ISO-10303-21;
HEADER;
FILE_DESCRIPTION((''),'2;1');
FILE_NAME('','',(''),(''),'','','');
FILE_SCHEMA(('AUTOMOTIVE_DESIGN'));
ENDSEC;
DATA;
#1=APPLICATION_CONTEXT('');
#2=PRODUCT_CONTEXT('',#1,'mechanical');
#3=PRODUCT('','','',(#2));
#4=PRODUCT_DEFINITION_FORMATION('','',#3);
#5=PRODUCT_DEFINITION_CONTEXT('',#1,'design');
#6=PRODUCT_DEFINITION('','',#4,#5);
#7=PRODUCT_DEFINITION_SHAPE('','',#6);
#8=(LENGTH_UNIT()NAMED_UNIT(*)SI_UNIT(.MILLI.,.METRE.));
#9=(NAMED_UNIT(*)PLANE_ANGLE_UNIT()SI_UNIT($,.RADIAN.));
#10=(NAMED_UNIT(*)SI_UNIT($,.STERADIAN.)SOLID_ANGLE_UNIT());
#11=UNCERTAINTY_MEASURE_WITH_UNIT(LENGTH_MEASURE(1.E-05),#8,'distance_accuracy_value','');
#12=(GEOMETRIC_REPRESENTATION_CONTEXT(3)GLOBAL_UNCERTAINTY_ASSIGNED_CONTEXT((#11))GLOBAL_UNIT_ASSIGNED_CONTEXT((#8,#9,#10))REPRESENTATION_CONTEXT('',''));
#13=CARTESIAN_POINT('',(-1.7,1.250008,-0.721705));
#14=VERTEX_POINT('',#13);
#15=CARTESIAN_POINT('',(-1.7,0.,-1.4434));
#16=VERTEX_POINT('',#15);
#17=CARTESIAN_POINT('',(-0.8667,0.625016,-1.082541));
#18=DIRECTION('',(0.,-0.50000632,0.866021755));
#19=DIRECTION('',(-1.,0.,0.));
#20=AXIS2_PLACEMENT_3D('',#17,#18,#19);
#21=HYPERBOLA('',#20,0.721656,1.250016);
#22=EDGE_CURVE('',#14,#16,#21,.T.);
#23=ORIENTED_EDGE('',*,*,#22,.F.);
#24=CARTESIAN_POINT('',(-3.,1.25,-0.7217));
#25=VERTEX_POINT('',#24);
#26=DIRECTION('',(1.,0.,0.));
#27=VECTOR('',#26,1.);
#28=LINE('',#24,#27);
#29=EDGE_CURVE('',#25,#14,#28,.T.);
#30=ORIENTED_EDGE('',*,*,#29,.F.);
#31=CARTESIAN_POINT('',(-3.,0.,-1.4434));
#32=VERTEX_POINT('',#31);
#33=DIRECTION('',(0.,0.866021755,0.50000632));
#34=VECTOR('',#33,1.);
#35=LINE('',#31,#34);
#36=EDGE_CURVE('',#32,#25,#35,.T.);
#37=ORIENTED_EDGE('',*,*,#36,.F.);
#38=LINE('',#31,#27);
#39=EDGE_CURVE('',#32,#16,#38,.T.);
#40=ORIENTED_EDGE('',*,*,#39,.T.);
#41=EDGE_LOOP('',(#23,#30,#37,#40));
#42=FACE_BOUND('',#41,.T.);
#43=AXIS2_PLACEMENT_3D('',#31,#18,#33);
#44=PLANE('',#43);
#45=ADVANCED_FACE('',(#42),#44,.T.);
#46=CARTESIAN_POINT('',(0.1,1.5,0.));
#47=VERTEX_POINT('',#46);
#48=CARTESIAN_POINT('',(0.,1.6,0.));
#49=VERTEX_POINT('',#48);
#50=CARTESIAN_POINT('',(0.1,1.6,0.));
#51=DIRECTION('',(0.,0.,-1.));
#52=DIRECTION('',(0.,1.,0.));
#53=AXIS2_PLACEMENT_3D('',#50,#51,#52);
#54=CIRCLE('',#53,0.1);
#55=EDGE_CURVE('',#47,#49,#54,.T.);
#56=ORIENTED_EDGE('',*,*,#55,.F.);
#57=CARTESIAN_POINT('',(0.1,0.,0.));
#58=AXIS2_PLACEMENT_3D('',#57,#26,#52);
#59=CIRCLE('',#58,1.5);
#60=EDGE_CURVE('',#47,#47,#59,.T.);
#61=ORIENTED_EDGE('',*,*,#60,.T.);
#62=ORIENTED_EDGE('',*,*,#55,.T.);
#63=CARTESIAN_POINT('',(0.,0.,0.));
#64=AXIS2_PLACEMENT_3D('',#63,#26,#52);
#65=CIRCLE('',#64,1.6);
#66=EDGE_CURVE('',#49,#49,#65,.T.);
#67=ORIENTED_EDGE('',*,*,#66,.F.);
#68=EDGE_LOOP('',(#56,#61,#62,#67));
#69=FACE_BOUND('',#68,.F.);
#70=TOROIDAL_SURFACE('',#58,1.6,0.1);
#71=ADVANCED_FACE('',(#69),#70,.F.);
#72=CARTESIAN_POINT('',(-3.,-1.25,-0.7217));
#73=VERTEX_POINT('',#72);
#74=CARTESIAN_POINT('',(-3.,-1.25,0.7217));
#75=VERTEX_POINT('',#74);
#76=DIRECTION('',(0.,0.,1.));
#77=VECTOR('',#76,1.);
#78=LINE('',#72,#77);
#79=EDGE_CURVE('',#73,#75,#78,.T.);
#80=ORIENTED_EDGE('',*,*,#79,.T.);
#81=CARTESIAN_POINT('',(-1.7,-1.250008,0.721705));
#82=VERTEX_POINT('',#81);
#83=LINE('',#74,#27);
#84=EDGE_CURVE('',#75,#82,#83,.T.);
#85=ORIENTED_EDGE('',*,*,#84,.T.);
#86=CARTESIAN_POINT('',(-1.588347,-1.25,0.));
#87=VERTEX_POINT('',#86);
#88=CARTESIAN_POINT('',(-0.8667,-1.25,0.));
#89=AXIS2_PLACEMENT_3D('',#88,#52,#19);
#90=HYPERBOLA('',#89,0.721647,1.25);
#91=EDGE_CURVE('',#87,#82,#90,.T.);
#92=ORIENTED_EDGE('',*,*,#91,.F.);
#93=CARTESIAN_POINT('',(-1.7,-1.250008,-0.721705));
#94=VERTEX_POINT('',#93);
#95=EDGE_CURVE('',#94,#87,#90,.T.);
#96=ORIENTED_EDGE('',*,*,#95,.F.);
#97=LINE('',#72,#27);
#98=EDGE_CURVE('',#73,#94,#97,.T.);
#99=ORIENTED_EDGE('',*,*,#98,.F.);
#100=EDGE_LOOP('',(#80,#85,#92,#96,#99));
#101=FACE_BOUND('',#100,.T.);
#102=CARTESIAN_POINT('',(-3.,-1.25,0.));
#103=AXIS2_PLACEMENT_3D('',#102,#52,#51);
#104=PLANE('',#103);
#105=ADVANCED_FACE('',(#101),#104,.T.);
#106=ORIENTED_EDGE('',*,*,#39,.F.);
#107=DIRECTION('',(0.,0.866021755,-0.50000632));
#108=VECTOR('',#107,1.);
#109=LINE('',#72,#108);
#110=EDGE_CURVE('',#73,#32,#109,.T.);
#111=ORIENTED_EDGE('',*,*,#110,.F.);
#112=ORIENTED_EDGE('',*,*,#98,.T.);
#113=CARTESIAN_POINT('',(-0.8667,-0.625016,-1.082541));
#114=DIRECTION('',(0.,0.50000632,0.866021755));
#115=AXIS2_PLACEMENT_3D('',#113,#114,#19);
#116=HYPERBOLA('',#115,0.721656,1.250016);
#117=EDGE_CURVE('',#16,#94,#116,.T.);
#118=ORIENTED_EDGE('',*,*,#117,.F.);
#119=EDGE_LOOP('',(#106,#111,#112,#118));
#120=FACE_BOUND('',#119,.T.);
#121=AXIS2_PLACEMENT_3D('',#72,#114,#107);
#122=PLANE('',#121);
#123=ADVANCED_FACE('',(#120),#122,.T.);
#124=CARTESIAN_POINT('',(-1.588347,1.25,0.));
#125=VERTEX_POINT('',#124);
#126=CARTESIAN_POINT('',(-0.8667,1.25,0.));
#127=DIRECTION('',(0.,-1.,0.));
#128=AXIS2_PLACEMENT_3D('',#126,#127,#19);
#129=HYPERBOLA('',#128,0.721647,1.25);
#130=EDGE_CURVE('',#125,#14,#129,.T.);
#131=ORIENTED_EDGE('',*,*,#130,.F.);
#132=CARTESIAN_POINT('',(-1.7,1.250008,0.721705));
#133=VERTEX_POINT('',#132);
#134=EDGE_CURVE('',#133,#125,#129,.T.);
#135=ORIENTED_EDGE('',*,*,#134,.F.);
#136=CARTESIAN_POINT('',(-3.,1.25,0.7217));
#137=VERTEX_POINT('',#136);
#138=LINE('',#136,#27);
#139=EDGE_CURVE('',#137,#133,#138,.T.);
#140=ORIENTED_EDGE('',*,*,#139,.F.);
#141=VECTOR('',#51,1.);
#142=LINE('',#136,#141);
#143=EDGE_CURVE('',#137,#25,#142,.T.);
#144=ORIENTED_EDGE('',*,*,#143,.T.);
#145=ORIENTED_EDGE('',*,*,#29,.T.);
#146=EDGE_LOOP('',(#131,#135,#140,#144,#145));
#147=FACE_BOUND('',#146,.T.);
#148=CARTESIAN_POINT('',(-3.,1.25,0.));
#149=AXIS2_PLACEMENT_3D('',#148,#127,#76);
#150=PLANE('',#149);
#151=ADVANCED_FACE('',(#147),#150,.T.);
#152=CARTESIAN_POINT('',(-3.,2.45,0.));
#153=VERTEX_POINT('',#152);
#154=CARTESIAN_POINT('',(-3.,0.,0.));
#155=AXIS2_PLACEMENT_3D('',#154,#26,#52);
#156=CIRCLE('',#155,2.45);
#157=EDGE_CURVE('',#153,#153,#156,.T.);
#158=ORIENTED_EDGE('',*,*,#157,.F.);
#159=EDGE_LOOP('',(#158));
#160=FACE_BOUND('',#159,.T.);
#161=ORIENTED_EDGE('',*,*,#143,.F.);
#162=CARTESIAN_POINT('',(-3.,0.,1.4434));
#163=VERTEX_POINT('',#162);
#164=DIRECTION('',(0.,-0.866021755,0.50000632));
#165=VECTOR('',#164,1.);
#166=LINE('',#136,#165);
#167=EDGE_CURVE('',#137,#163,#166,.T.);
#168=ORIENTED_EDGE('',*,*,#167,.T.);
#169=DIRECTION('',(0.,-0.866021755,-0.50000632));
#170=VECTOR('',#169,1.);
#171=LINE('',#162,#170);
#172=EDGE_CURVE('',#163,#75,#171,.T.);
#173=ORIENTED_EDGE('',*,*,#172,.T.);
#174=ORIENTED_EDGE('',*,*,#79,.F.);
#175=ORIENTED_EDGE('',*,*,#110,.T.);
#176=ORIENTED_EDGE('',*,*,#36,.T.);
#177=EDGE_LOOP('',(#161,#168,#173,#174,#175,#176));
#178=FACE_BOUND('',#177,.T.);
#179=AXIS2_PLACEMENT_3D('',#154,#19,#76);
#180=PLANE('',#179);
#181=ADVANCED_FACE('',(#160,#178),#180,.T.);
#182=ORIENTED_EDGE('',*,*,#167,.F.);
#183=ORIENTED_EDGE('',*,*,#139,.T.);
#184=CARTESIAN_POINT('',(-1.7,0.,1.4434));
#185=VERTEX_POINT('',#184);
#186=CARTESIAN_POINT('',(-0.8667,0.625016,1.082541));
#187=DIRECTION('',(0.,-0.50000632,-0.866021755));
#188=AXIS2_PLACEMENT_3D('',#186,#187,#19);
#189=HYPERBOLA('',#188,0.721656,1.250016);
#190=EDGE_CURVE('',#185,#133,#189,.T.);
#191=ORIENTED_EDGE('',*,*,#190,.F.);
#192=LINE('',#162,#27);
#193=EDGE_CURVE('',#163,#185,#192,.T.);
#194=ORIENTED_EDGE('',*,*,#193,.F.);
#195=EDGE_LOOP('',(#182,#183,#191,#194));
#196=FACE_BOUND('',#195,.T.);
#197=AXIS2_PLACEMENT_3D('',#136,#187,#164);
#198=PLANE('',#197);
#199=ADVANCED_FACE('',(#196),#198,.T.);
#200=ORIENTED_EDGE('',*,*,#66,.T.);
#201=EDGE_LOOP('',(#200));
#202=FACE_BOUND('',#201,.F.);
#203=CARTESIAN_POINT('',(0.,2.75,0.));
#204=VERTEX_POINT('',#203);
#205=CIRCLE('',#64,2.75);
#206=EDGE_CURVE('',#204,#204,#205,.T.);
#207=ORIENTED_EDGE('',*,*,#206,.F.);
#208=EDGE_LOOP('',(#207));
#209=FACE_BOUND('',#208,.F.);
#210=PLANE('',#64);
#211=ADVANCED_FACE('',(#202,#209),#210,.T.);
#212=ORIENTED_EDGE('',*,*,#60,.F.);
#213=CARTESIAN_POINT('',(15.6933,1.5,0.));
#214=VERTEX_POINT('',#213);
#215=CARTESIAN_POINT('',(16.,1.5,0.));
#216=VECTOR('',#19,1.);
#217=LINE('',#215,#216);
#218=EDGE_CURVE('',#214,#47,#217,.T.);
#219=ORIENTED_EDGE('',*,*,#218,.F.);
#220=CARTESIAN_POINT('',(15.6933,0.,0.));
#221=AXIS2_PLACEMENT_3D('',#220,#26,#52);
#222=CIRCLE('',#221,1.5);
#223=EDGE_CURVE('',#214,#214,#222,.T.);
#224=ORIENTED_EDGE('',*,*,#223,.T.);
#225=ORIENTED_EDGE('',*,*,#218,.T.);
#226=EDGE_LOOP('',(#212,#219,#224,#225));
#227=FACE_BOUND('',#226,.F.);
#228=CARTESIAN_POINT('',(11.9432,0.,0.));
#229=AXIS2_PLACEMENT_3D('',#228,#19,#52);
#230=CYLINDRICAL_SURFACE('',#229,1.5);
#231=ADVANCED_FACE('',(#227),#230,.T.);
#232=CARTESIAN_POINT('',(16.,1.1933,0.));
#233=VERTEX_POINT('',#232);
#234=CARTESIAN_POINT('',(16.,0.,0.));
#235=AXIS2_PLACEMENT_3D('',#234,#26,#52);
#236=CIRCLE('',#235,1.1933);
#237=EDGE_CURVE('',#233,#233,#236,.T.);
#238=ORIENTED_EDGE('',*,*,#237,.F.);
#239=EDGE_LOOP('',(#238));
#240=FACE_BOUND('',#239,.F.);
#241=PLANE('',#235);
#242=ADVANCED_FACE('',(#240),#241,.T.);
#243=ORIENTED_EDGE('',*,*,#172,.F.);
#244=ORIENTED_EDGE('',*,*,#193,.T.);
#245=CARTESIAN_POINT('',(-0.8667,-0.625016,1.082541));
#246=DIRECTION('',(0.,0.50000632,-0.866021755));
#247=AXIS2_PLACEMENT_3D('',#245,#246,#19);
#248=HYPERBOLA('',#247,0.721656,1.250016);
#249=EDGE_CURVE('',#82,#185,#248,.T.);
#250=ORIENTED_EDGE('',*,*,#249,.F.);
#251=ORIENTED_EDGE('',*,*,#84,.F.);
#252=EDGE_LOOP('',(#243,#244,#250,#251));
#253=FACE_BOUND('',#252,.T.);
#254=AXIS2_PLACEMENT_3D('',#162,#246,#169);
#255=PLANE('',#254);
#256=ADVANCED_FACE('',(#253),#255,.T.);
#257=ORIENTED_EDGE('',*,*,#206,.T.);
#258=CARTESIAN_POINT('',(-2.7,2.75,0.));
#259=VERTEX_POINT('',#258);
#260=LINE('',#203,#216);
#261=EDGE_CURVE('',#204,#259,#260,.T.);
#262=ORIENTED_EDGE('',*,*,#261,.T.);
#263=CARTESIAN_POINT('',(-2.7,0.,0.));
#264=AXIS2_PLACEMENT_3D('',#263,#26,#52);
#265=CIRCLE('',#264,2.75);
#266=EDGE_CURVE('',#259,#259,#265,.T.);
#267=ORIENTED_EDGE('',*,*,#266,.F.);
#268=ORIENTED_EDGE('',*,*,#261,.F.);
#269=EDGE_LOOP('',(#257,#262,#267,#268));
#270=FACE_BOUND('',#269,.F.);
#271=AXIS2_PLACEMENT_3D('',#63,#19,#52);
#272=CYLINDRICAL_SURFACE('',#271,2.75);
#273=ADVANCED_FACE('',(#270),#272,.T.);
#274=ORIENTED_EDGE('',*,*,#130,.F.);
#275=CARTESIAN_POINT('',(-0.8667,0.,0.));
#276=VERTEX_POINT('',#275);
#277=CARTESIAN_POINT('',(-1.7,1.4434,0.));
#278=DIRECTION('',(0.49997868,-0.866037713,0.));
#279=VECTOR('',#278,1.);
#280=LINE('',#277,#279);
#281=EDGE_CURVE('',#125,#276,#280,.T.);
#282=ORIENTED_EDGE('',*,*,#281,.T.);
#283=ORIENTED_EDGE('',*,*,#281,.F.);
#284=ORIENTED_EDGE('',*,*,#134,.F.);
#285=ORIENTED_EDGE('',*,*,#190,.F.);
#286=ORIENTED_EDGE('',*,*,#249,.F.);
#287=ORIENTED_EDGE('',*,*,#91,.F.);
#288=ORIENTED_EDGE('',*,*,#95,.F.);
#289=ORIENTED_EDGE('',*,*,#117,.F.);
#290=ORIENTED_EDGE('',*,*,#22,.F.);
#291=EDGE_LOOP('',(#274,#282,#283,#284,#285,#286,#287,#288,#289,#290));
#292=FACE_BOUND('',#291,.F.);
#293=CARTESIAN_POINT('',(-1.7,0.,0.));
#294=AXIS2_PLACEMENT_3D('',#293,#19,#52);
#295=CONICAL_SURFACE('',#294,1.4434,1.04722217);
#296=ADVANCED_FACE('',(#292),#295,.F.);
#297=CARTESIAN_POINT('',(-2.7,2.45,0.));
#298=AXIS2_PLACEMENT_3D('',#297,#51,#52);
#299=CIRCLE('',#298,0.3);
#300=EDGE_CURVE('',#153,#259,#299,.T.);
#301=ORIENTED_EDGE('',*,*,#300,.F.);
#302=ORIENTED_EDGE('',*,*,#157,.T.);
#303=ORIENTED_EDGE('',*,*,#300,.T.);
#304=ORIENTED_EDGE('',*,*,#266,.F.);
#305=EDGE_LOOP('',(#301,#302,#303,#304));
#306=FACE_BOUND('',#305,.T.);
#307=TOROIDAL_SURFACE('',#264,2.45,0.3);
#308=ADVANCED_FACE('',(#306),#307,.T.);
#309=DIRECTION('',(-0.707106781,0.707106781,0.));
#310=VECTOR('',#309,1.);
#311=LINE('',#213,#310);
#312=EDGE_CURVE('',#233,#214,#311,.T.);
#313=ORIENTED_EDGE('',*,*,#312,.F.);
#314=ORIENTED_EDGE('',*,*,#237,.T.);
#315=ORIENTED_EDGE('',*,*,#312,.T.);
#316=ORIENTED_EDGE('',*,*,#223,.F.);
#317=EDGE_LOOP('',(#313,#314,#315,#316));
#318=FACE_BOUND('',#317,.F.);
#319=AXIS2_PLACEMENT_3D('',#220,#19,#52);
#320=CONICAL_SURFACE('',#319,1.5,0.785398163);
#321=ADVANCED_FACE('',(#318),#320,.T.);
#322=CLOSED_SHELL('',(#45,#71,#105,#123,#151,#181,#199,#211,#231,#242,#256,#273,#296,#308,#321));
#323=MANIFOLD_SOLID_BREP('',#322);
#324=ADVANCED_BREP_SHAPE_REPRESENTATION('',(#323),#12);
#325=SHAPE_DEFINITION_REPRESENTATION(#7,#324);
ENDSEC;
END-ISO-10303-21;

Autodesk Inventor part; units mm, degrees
ref_plane "YZ Plane" through (0, 0, 0) normal (1, 0, 0) x (0, 1, 0)
ref_plane "XZ Plane" through (0, 0, 0) normal (0, 1, 0) x (-1, 0, 0)
sketch "Sketch1" plane through (0, 0, 0) normal (0, 0, 1) x (1, 0, 0)
  line L0 (-0.8667, 0) -> (16, 0)
  line L1 (16, 0) -> (16, 1.5)
  line L2 (16, 1.5) -> (12.25, 1.5)
  line L3 (12.25, 1.5) -> (11.9432, 1.5)
  line L4 (11.9432, 1.5) -> (0, 1.5)
  line L5 (0, 1.5) -> (0, 2.75)
  line L6 (0, 2.75) -> (-3, 2.75)
  line L7 (-3, 2.75) -> (-3, 1.4434)
  line L8 (-3, 1.4434) -> (-1.7, 1.4434)
  line L9 (-1.7, 1.4434) -> (-0.8667, 0)
  line L10 (-6.8, 0) -> (19.8, 0) projected
  line L11 (0, -0.55) -> (0, 3.3) projected
  line L12 (12.25, 1.5) -> (0, 1.5) construction
  dimension "d1" = 3.75
  dimension "d2" = 0.3068
  dimension "d3" = 3
  dimension "d4" = 1.3
  dimension "d5" = 60
  dimension "d6" = 3
  dimension "d7" = 3
  dimension "d8" = 2.8868
  dimension "d9" = 5.5
  dimension "d26" = 16
revolve "Body" add sketch "Sketch1" angle 360 about axis through (-0.8667, 0, 0) along (1, 0, 0)
sketch "Sketch2" plane through (-3, 0, 0) normal (-1, 0, 0) x (0, 0, 1)
  circle A0 centre (0, 0) radius 1.4434 projected
  line L0 (0, -3.85) -> (0, 3.85) projected
  line L1 (-3.85, 0) -> (3.85, 0) projected
  line L2 (1.4434, 0) -> (0.7217, -1.25)
  line L3 (0.7217, -1.25) -> (-0.7217, -1.25)
  line L4 (-0.7217, -1.25) -> (-1.4434, 0)
  line L5 (-1.4434, 0) -> (-0.7217, 1.25)
  line L6 (-0.7217, 1.25) -> (0.7217, 1.25)
  line L7 (0.7217, 1.25) -> (1.4434, 0)
  point P0 (0, 0)
extrude "Slot" add sketch "Sketch2" against normal up to next contours L7 A0 | A0 L2 | L6 L0 A0 | A0 L0 L3 | L0 L6 A0 | A0 L3 L0 | L4 A0 | A0 L5
fillet "Fillet1" radius 0.3 1 edges at (-3, -2.75, 0)
thread "Thread" size "M3x0.5" class "6g" standard "ISO Metric profile" length 14.75
chamfer "Chamfer1" distance 0.3067 distance2 0.3067 1 edges at (16, -1.5, 0) measured on face at (16, -0.4645, -0.4115)
ref_plane "Work Plane1" through (29, 0, 0) normal (0, -1, 0) x (1, 0, 0)
fillet "Fillet2" radius 0.1 1 edges at (0, -1.5, 0)
equation "\"d1\" = GEL"
equation "\"d3\" = KOH"
equation "\"d4\" = INTI"
equation "\"d6\" = GD"
equation "\"d7\" = BDM"
equation "\"d8\" = 1.1547 * SW"
equation "\"d9\" = KOD"
equation "\"d30\" = R"
equation "\"d17\" = RR"
equation "\"d15\" = -0.5 * SPD + 0.5 * GD"
equation "\"d16\" = GUL"
equation "\"GD\" = 3"
equation "\"NLG\" = 5"
equation "\"GEL\" = 3.75"
equation "\"KOD\" = 5.5"
equation "\"KOH\" = 3"
equation "\"INTI\" = 1.3"
equation "\"GAL\" = 0.61345 * PTC"
equation "\"GUL\" = 0.61345 * PTC"
equation "\"BDM\" = NND"
equation "\"SW\" = 2.5"
equation "\"RR\" = 0.3"
equation "\"SPD\" = NND - 1.2269 * PTC"
equation "\"R\" = 0.1"
equation "\"TOA\" = 30deg"
equation "\"GD1\" = THREADDIA - 1.2269 * PTC"
equation "\"THREADDIA\" = 3"
equation "\"FAWI\" = 45deg"
equation "\"PTC\" = 0.5"
equation "\"NND\" = 3"
equation "\"E0\" = 1.155 * SW"
properties part number "Allen Key 3x16mm" material "Stainless Steel, 440C"
